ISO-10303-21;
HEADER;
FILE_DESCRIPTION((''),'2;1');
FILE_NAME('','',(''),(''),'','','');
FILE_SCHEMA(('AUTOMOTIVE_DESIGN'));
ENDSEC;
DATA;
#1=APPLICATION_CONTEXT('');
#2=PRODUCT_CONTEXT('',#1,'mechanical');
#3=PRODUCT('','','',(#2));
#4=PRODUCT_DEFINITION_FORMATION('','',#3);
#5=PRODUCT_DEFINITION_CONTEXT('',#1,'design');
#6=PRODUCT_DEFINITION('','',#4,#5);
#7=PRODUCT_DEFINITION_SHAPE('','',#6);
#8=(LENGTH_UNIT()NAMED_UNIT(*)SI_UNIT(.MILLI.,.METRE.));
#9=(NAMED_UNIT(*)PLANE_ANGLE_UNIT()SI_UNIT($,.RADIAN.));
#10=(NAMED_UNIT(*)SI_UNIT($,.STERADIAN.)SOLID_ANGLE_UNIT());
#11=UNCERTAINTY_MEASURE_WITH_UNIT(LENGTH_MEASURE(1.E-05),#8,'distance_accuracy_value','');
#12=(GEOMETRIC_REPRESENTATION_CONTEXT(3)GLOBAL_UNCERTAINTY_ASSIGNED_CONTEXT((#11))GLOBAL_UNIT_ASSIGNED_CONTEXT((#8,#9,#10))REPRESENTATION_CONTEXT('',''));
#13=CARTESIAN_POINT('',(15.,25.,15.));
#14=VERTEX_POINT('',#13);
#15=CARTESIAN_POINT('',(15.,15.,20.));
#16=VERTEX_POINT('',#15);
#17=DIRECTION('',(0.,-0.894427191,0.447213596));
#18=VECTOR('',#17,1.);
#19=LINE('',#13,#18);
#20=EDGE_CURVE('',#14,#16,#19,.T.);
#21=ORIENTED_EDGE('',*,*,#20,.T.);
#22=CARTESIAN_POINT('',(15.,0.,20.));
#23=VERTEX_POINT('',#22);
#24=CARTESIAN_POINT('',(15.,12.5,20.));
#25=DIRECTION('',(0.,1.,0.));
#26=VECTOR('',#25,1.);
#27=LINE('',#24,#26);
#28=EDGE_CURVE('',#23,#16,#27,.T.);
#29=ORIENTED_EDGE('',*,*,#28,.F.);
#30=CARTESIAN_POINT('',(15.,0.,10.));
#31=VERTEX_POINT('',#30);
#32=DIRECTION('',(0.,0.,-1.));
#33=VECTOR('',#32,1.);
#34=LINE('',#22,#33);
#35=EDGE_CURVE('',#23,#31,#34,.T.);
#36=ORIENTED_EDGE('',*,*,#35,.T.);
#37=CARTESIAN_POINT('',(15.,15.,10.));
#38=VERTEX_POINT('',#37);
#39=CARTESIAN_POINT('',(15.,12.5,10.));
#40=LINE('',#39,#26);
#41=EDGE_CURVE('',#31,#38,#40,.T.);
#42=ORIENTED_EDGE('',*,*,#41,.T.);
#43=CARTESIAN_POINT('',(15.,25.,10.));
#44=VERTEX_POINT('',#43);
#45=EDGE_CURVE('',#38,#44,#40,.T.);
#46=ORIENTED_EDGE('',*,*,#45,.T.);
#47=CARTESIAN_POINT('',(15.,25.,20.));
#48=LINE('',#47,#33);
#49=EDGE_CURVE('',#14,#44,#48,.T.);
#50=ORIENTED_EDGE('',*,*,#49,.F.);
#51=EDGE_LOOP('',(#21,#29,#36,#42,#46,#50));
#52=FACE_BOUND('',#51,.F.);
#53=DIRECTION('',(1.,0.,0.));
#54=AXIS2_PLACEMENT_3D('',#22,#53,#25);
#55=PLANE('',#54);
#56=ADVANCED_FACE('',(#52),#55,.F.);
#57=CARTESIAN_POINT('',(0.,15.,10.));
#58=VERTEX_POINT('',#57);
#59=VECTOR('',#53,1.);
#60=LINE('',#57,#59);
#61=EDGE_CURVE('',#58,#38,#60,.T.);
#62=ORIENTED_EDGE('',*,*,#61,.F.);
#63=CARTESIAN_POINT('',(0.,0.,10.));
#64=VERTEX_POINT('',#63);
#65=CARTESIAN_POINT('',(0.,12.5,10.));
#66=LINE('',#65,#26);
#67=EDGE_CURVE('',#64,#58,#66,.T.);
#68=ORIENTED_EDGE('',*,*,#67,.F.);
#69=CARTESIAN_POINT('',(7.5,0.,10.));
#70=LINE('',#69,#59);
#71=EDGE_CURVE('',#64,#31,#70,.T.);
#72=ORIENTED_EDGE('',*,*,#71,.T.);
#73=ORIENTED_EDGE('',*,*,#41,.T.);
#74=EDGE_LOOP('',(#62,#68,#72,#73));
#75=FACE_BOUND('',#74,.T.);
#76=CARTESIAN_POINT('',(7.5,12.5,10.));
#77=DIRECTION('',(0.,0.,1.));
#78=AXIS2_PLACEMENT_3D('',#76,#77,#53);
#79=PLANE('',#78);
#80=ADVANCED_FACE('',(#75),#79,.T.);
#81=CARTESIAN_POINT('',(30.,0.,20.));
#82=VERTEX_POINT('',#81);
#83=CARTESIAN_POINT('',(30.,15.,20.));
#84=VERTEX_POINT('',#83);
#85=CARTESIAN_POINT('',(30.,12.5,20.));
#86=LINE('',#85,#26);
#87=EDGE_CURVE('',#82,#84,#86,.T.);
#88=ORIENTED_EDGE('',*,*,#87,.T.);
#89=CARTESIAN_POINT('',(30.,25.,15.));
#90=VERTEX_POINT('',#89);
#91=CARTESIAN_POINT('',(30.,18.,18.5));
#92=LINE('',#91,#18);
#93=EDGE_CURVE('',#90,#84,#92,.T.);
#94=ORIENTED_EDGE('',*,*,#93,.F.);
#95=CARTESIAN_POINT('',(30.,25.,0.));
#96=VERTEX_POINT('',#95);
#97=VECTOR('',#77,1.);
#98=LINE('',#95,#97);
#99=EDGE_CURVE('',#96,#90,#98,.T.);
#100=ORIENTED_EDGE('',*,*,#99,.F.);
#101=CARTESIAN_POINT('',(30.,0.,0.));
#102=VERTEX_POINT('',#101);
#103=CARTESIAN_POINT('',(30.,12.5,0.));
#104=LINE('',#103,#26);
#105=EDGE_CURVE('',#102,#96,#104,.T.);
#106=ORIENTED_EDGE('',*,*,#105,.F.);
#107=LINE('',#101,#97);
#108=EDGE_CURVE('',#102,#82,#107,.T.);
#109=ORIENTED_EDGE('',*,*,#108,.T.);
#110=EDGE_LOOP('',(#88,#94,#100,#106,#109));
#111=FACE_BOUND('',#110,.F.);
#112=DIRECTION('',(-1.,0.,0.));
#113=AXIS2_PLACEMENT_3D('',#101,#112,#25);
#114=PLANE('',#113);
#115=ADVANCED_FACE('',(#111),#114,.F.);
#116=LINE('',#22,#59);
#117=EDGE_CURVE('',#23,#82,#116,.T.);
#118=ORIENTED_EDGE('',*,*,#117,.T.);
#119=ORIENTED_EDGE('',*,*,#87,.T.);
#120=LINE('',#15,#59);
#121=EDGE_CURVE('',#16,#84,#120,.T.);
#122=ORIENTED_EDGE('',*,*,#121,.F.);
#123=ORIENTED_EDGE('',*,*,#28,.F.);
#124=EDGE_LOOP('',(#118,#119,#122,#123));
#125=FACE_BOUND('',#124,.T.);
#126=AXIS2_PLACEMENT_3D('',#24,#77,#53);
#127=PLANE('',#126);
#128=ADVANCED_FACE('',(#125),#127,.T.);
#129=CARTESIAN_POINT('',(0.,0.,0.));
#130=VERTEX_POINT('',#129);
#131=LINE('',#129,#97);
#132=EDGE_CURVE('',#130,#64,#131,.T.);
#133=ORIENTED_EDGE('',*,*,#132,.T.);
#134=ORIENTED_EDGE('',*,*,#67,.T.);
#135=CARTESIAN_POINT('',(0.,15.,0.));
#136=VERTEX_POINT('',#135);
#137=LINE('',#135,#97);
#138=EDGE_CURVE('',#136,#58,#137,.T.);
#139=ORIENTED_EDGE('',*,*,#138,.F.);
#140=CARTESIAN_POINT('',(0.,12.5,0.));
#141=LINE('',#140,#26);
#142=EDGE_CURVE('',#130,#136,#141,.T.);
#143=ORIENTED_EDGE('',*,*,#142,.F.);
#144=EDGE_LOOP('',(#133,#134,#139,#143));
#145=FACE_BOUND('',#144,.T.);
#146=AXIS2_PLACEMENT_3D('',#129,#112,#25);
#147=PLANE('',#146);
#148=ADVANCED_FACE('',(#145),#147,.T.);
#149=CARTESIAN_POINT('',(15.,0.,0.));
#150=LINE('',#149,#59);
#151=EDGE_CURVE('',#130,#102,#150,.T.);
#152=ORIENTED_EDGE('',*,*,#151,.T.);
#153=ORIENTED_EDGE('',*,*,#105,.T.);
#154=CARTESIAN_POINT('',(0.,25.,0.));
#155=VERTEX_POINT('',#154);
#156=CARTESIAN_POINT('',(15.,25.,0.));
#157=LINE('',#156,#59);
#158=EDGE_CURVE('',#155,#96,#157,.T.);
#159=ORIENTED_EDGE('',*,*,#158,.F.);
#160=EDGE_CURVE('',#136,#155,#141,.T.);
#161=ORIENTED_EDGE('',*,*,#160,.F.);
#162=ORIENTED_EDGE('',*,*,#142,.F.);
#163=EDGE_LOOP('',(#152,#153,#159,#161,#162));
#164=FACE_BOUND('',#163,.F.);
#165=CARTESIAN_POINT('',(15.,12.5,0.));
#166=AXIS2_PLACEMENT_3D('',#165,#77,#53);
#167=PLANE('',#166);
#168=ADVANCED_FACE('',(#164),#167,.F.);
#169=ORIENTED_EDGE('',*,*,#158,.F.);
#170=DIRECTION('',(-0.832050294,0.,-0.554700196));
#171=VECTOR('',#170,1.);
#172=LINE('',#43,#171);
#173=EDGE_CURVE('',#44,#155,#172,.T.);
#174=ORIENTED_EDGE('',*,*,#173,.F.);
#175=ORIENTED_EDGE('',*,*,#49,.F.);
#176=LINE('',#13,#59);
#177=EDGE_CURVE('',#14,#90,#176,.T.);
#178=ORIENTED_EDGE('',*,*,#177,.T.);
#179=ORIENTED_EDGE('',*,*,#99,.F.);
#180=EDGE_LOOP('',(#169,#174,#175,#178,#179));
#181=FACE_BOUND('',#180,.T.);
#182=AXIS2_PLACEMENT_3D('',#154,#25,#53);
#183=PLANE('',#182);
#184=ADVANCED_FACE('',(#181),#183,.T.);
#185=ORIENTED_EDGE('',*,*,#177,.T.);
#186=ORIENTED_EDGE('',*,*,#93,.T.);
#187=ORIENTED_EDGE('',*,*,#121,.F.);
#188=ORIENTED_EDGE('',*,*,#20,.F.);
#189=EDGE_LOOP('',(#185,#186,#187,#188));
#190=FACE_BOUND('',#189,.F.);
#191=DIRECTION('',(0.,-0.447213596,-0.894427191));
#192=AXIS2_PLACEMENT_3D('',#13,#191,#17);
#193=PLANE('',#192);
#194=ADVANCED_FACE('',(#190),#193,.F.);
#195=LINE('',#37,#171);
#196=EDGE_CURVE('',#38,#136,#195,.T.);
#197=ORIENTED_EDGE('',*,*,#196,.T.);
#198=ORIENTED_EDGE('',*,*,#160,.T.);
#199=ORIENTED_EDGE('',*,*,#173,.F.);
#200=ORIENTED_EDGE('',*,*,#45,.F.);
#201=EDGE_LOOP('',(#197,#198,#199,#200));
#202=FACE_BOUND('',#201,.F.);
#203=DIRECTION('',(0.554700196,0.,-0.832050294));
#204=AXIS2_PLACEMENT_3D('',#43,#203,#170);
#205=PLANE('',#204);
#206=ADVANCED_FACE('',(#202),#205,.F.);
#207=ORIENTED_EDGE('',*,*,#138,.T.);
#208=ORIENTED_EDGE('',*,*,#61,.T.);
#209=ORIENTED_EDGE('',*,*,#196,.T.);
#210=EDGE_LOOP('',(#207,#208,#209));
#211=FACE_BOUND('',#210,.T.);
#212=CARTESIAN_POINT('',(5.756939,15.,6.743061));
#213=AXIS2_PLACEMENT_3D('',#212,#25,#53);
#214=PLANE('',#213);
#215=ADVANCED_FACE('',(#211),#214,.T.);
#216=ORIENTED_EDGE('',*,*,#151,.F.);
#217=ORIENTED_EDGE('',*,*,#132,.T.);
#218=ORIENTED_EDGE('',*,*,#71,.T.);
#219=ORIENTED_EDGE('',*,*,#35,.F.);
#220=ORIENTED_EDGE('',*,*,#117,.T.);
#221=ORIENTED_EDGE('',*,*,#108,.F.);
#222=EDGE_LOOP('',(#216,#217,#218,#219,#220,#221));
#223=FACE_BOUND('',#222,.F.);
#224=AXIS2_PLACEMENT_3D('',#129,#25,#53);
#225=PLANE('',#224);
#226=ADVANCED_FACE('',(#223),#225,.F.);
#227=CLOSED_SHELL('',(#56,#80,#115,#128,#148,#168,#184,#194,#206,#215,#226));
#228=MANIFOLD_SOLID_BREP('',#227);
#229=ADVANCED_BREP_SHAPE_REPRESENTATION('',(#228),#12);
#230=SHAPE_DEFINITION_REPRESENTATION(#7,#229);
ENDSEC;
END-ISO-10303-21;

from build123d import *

# Parameters (mm, degrees)
SKETCH1_W           = 30
SKETCH1_H           = 25
BOSS_EXTRUDE1_DEPTH = 20
SKETCH2_W           = 15
SKETCH2_H           = 25
CUT_EXTRUDE1_DEPTH  = 10
CUT_EXTRUDE2_DEPTH  = 20
CUT_EXTRUDE3_DEPTH  = 10


with BuildPart() as part:
    # Sketch1 → Boss-Extrude1 (new body)
    with BuildSketch(Plane.XY):
        with Locations((15, 12.5)):
            Rectangle(SKETCH1_W, SKETCH1_H)
    extrude(amount=BOSS_EXTRUDE1_DEPTH)

    # Sketch2 → Cut-Extrude1 (cut)
    with BuildSketch(Plane.XY.offset(20)):
        with Locations((7.5, 12.5)):
            Rectangle(SKETCH2_W, SKETCH2_H)
    extrude(amount=-CUT_EXTRUDE1_DEPTH, mode=Mode.SUBTRACT)

    # Sketch3 → Cut-Extrude2 (cut)
    with BuildSketch(Plane.ZY.offset(-15)):
        Polygon((15, 25), (20, 15), (20, 25), align=None)
    extrude(amount=-CUT_EXTRUDE2_DEPTH, mode=Mode.SUBTRACT)

    # Sketch4 → Cut-Extrude3 (cut)
    with BuildSketch(Plane(origin=(0, 25, 0), x_dir=(1, 0, 0), z_dir=(0, 1, 0))):
        Polygon((15, -10), (0, 0), (0, -10), align=None)
    extrude(amount=-CUT_EXTRUDE3_DEPTH, mode=Mode.SUBTRACT)


solid = part.part
